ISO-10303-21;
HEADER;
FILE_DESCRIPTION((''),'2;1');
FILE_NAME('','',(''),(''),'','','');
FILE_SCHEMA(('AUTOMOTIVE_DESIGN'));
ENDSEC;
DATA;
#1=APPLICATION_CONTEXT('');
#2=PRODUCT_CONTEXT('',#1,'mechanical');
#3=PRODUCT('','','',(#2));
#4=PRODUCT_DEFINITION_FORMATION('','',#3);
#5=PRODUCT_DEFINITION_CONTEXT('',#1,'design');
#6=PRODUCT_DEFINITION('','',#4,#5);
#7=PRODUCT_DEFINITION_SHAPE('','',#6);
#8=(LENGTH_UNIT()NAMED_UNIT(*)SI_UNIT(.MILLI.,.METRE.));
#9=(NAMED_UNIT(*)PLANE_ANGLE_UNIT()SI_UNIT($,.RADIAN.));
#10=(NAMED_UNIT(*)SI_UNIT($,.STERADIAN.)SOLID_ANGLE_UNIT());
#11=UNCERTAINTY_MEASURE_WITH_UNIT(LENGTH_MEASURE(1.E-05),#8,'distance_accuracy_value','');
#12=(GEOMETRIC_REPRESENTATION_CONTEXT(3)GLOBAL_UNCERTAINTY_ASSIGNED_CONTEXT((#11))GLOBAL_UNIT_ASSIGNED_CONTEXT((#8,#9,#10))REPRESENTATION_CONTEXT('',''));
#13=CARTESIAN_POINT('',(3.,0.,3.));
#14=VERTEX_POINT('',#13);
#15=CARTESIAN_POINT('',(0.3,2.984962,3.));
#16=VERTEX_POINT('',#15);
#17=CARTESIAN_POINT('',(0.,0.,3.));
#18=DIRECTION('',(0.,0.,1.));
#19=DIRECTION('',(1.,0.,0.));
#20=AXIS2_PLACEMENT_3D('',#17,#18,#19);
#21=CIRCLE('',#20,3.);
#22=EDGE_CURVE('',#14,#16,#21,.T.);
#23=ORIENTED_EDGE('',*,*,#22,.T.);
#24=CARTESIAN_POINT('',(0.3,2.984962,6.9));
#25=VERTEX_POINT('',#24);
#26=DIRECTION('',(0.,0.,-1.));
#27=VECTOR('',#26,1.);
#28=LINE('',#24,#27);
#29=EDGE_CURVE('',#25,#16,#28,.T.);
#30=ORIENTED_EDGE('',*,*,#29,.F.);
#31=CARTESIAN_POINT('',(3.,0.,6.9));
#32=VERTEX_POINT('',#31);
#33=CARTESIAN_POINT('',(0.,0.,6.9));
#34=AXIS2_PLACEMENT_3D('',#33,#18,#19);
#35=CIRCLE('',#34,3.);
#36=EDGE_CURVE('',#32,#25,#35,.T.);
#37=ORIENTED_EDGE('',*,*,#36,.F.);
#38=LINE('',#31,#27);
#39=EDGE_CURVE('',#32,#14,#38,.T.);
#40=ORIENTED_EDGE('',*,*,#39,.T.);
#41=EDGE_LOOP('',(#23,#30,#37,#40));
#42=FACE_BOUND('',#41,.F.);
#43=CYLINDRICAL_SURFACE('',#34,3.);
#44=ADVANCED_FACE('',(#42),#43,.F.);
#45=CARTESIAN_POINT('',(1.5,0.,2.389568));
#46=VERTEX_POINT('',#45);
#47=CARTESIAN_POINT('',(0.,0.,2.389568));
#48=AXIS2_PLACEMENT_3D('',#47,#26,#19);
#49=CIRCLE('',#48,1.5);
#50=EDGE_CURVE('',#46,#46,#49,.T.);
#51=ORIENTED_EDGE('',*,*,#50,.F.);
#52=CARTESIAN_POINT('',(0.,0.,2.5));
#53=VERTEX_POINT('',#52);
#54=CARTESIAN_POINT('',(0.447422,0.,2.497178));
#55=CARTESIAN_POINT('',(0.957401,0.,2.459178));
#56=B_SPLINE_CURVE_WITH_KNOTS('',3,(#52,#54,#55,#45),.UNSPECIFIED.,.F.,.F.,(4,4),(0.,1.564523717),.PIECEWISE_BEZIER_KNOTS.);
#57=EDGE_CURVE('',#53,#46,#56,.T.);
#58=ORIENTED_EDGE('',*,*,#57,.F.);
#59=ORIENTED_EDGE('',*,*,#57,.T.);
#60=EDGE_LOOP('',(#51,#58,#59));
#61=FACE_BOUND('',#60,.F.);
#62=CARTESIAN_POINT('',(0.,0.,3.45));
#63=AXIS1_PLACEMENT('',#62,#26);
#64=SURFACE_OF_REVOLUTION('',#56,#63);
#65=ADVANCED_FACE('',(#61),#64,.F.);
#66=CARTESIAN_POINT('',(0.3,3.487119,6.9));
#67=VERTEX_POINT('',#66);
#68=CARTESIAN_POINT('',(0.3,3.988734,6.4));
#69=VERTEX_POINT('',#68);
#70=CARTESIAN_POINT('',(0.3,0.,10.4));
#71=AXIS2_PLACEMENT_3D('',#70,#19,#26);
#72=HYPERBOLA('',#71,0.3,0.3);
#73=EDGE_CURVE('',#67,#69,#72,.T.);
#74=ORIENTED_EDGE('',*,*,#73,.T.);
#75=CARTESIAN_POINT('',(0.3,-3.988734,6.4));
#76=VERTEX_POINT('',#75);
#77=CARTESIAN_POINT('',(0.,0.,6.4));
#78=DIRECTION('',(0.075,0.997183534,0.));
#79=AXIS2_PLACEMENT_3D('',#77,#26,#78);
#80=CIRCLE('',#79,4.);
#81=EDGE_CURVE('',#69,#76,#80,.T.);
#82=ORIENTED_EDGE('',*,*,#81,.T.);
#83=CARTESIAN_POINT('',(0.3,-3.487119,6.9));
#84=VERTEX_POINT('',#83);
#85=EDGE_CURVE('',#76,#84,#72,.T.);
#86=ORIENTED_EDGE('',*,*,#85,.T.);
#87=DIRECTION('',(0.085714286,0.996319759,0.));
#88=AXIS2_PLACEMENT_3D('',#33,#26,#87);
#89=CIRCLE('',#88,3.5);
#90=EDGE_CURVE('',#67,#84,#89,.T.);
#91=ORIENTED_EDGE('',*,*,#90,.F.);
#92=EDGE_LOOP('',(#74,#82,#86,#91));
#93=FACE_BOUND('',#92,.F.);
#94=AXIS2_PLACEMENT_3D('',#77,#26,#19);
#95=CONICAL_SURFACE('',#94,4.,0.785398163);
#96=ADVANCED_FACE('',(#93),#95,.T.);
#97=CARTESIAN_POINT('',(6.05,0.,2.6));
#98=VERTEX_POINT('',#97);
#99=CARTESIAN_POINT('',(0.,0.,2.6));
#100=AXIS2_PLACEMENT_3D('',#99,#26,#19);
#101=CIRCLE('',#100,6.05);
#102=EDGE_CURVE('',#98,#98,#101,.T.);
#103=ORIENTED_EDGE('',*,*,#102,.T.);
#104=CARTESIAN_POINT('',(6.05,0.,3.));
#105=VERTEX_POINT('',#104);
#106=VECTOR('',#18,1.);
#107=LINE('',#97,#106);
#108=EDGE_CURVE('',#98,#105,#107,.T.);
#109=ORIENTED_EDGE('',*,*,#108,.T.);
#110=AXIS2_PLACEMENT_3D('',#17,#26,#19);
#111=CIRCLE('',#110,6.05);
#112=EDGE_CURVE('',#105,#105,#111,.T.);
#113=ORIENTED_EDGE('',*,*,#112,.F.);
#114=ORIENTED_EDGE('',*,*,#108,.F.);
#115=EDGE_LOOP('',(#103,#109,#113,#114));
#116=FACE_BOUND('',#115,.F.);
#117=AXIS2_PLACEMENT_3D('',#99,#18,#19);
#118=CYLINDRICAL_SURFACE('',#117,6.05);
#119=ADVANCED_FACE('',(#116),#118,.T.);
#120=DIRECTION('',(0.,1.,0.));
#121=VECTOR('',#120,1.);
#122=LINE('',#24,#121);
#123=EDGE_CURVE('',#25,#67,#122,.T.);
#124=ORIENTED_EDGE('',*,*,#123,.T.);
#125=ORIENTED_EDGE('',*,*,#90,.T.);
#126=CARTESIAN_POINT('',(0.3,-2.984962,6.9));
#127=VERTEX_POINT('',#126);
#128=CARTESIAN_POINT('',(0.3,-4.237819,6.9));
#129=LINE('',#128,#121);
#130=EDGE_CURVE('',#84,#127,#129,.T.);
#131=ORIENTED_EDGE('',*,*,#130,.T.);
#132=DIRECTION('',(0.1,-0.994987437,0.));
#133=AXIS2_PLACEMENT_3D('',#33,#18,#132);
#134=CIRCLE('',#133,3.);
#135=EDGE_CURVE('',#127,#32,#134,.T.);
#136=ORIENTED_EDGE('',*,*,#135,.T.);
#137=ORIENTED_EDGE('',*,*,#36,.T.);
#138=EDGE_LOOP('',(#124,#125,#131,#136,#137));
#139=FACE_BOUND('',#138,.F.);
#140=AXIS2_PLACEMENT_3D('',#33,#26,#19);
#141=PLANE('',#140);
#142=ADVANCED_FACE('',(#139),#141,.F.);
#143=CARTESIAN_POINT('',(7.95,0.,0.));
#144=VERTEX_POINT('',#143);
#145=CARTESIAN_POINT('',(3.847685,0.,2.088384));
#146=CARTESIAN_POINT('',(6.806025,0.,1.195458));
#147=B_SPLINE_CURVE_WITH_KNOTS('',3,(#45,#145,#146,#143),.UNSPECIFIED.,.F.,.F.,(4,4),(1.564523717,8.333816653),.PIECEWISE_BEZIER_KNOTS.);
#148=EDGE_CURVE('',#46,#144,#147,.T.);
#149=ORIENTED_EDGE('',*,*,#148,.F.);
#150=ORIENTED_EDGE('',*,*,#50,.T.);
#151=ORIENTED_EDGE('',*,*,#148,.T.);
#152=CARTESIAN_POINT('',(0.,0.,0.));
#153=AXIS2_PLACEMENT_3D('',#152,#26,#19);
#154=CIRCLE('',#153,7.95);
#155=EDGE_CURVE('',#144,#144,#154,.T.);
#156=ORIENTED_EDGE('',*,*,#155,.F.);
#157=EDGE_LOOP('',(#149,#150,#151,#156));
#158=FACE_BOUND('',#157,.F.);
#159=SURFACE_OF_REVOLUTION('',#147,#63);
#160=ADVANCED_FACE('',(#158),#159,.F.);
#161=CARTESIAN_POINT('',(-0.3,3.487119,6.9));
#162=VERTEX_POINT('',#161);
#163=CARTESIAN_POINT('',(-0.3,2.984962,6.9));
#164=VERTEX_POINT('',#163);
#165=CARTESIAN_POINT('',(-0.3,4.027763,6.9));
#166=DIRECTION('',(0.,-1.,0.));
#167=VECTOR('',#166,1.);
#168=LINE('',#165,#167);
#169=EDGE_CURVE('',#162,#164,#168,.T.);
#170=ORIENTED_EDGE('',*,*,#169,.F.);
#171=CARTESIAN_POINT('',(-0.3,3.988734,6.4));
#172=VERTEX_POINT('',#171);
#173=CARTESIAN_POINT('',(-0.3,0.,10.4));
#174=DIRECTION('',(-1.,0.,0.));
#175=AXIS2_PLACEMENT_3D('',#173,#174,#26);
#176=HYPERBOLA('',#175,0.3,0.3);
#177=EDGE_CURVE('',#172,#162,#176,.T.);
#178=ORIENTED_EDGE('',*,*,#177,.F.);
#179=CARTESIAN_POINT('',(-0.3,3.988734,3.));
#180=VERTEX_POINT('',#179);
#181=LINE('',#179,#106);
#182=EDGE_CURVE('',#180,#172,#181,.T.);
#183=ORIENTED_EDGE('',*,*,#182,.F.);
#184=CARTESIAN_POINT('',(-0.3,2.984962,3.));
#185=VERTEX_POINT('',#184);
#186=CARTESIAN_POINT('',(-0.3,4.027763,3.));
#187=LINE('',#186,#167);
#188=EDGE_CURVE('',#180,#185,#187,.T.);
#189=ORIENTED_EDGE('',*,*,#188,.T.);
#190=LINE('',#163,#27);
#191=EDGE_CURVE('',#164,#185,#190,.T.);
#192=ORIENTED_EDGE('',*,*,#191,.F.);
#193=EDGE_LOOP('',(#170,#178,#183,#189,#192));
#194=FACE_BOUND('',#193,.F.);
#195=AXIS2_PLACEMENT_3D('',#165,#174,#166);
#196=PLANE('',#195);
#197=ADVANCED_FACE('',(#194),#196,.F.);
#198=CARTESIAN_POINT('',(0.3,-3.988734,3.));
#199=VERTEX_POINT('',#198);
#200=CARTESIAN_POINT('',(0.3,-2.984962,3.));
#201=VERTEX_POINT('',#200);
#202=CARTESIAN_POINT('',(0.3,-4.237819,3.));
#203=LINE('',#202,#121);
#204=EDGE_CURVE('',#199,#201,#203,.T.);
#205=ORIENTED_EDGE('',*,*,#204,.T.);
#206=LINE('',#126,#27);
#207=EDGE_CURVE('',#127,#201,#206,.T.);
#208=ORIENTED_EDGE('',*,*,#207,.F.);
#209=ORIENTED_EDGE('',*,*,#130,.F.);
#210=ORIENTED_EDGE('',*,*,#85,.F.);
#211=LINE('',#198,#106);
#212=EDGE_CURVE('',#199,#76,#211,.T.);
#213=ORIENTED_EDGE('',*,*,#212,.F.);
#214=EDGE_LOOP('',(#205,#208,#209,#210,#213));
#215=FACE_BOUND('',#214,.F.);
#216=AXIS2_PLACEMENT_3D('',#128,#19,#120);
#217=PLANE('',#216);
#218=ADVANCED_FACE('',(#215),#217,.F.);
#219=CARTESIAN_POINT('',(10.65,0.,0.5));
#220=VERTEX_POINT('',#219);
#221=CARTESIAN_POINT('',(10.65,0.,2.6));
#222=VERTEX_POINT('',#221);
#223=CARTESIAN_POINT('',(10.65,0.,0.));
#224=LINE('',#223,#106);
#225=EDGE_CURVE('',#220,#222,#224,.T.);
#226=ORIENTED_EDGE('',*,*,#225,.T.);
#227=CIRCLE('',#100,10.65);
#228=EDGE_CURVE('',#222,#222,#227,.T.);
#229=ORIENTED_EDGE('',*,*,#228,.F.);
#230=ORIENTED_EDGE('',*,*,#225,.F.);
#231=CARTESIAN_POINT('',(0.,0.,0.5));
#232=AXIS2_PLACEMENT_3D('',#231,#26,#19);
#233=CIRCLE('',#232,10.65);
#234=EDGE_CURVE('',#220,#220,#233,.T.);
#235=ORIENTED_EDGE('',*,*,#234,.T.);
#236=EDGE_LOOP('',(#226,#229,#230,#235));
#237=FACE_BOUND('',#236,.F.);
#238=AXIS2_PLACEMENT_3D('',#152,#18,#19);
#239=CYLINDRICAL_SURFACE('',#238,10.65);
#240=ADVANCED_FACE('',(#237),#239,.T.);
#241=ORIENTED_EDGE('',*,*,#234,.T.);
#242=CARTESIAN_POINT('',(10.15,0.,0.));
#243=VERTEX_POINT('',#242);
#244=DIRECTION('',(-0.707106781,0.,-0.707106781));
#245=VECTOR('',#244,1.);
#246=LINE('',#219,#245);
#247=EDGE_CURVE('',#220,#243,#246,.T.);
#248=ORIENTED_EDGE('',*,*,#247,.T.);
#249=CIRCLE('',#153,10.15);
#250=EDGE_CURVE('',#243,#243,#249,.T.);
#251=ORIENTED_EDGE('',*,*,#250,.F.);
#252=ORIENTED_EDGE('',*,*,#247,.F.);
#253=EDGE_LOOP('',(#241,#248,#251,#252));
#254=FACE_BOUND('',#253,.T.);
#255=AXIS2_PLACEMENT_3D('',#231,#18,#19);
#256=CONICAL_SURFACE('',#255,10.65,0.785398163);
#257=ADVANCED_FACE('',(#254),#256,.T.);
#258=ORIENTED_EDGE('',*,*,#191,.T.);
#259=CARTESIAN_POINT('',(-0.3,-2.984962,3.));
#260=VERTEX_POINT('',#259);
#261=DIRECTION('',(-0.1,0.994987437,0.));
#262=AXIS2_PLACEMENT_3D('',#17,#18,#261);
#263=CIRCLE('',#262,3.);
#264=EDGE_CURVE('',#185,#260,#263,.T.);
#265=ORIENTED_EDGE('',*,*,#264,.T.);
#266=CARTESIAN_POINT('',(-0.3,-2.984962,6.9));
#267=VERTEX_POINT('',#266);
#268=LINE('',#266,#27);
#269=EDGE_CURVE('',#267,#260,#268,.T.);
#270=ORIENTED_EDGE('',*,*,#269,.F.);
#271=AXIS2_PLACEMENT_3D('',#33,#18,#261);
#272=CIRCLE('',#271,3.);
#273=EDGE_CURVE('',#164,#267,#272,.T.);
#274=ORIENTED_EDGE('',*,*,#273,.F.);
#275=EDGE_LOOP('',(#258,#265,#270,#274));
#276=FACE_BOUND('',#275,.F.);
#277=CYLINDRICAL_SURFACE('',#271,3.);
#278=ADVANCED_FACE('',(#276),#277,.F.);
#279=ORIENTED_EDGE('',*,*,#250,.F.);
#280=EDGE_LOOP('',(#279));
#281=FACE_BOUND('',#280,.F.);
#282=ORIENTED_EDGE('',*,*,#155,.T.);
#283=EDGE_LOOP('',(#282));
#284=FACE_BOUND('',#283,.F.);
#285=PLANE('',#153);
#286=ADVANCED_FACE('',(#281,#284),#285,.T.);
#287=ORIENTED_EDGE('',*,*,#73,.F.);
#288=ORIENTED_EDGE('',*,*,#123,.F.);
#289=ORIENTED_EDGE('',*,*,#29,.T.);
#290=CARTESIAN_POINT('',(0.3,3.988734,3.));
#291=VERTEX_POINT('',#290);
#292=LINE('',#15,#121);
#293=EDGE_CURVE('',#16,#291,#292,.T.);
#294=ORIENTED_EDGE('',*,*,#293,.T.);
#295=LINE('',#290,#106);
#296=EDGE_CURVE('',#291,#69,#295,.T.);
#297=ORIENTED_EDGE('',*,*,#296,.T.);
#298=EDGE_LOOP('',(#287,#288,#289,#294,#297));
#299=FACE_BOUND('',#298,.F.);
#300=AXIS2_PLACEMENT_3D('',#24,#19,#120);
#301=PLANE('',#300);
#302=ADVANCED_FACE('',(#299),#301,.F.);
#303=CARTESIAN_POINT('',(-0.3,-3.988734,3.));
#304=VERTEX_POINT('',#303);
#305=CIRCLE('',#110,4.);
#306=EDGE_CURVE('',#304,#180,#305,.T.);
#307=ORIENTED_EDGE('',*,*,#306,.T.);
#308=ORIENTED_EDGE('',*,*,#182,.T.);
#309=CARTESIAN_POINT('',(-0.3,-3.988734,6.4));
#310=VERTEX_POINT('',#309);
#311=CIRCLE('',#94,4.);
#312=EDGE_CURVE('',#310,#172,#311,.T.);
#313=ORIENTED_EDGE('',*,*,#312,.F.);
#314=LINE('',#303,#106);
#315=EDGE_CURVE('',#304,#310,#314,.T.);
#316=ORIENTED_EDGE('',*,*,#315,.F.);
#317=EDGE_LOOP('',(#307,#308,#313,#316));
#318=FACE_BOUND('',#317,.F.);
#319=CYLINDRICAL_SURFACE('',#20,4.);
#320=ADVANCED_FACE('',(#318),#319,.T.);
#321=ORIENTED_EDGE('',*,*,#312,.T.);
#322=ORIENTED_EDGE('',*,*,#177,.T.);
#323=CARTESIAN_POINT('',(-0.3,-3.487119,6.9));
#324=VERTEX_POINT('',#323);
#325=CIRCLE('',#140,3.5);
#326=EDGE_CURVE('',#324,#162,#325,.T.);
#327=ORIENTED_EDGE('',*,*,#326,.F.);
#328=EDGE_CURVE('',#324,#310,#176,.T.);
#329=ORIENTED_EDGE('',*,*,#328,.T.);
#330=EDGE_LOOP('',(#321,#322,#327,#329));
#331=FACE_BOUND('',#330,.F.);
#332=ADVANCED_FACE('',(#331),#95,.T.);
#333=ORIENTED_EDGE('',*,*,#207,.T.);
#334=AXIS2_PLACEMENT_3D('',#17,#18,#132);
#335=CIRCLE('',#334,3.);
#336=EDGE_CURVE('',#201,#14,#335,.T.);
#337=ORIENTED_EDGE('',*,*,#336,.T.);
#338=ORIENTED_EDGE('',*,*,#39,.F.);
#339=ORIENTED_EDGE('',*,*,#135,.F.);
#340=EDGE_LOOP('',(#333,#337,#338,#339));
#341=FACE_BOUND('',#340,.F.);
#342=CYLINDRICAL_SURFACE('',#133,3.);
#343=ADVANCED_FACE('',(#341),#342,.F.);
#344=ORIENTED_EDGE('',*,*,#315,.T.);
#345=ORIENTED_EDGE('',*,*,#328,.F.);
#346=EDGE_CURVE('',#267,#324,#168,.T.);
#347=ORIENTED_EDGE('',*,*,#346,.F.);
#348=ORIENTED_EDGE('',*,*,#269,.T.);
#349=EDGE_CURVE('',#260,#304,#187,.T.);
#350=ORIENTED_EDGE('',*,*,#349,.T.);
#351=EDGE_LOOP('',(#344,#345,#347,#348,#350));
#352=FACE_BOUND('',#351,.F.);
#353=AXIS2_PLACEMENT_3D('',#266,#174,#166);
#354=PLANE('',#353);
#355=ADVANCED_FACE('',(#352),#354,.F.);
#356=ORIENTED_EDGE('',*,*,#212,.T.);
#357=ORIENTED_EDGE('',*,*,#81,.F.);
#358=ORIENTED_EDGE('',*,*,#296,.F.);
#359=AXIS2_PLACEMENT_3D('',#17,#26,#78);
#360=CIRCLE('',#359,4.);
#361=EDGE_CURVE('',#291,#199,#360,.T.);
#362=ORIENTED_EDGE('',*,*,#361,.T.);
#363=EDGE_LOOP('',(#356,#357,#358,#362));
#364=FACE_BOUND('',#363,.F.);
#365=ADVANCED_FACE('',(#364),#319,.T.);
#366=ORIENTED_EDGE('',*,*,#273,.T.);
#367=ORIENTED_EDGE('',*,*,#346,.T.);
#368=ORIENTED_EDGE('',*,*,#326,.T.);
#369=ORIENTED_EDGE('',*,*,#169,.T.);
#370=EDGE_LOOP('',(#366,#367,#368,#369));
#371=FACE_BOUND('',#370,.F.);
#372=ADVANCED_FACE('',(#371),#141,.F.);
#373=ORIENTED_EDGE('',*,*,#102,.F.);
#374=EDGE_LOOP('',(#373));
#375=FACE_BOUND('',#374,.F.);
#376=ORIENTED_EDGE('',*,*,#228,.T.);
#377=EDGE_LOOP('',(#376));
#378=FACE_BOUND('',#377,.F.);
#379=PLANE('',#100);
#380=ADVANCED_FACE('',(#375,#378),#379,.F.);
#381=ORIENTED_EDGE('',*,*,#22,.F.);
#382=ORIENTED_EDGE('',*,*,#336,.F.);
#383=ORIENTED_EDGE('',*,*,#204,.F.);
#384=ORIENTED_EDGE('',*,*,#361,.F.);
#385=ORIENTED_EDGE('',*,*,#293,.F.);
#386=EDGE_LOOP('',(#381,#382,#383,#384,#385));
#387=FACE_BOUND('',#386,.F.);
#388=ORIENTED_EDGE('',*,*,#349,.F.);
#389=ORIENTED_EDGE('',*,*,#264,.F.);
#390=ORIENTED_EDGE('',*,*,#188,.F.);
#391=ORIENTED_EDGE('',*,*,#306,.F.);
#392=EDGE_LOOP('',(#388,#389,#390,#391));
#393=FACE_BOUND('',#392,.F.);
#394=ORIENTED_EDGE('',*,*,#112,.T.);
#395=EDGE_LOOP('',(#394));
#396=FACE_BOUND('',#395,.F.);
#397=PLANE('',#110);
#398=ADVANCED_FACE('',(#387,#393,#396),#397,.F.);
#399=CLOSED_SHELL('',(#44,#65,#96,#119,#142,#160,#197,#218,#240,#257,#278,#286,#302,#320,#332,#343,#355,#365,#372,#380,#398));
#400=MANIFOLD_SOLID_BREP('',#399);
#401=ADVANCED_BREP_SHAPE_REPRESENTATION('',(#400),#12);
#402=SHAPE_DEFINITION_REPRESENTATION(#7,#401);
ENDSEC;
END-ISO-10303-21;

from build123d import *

# Parameters (mm, degrees)
F2_SIZE  = 0.5
F3_SIZE  = 0.5
F6_DEPTH = 3.9


with BuildPart() as f1:
    # F0 (on Front) → F1 (revolve)
    with BuildSketch(Plane.XZ):
        with BuildLine():
            add(Edge.make_bspline(
                [(1.5, 2.3895676483), (3.8476854245, 2.0883835805), (6.8060247503, 1.1954580218), (7.95, 0)],
                knots=[1.5645237171, 1.5645237171, 1.5645237171, 1.5645237171, 8.3338166527, 8.3338166527, 8.3338166527, 8.3338166527], degree=3))
            Line((7.95, 0), (10.65, 0))
            Line((10.65, 0), (10.65, 2.6))
            Line((10.65, 2.6), (6.05, 2.6))
            Line((6.05, 2.6), (6.05, 3))
            Line((6.05, 3), (4, 3))
            Line((4, 3), (4, 6.9))
            Line((4, 6.9), (0, 6.9))
            Line((0, 6.9), (0, 2.8895676483))
            Line((0, 2.8895676483), (1.5, 2.8895676483))
            Line((1.5, 2.8895676483), (1.5, 2.3895676483))
        make_face()
        with BuildLine():
            Line((0, 2.8895676483), (0, 2.5))
            add(Edge.make_bspline(
                [(0, 2.5), (0.4474217695, 2.4971784695), (0.9574013029, 2.4591775207), (1.5, 2.3895676483)],
                knots=[0, 0, 0, 0, 1.5645237171, 1.5645237171, 1.5645237171, 1.5645237171], degree=3))
            Line((1.5, 2.3895676483), (1.5, 2.8895676483))
            Line((1.5, 2.8895676483), (0, 2.8895676483))
        make_face()
    revolve(axis=Axis((0, 0, 3.45), (0, 0, -1)))

    # F2
    f2_edges = [f1.edges().sort_by_distance(p)[0] for p in [
        (-4, 0, 6.9),
    ]]
    chamfer(f2_edges, length=F2_SIZE)

    # F3
    f3_edges = [f1.edges().sort_by_distance(p)[0] for p in [
        (-10.65, 0, 0),
    ]]
    chamfer(f3_edges, length=F3_SIZE)

    # F5 (on offset) → F6 (cut)
    with BuildSketch(Plane.XY.offset(6.9)):
        with BuildLine():
            ThreePointArc((0.3, -2.9849623113), (2.2248595461, -2.0124611797), (3, 0))
            ThreePointArc((3, 0), (2.2248595461, 2.0124611797), (0.3, 2.9849623113))
            Line((0.3, 2.9849623113), (0.3, 0))
            Line((0.3, 0), (0.3, -2.9849623113))
        make_face()
        with BuildLine():
            Line((0.3, 0), (0.3, 2.9849623113))
            ThreePointArc((0.3, 2.9849623113), (0, 3), (-0.3, 2.9849623113))
            Line((-0.3, 2.9849623113), (-0.3, 0))
            Line((-0.3, 0), (0, 0))
            Line((0, 0), (0.3, 0))
        make_face()
        with BuildLine():
            ThreePointArc((-0.3, 2.9849623113), (0, 3), (0.3, 2.9849623113))
            Line((0.3, 2.9849623113), (0.3, 4.0277631488))
            Line((0.3, 4.0277631488), (-0.3, 4.0277631488))
            Line((-0.3, 4.0277631488), (-0.3, 2.9849623113))
        make_face()
        with BuildLine():
            Line((0.3, -4.2378189974), (0.3, -2.9849623113))
            ThreePointArc((0.3, -2.9849623113), (0, -3), (-0.3, -2.9849623113))
            Line((-0.3, -2.9849623113), (-0.3, -4.2378189974))
            Line((-0.3, -4.2378189974), (0.3, -4.2378189974))
        make_face()
        with BuildLine():
            ThreePointArc((-0.3, -2.9849623113), (0, -3), (0.3, -2.9849623113))
            Line((0.3, -2.9849623113), (0.3, 0))
            Line((0.3, 0), (0, 0))
            Line((0, 0), (-0.3, 0))
            Line((-0.3, 0), (-0.3, -2.9849623113))
        make_face()
        with BuildLine():
            Line((-0.3, 0), (-0.3, 2.9849623113))
            ThreePointArc((-0.3, 2.9849623113), (-3, 0), (-0.3, -2.9849623113))
            Line((-0.3, -2.9849623113), (-0.3, 0))
        make_face()
    extrude(amount=-F6_DEPTH, mode=Mode.SUBTRACT)


solid = f1.part
